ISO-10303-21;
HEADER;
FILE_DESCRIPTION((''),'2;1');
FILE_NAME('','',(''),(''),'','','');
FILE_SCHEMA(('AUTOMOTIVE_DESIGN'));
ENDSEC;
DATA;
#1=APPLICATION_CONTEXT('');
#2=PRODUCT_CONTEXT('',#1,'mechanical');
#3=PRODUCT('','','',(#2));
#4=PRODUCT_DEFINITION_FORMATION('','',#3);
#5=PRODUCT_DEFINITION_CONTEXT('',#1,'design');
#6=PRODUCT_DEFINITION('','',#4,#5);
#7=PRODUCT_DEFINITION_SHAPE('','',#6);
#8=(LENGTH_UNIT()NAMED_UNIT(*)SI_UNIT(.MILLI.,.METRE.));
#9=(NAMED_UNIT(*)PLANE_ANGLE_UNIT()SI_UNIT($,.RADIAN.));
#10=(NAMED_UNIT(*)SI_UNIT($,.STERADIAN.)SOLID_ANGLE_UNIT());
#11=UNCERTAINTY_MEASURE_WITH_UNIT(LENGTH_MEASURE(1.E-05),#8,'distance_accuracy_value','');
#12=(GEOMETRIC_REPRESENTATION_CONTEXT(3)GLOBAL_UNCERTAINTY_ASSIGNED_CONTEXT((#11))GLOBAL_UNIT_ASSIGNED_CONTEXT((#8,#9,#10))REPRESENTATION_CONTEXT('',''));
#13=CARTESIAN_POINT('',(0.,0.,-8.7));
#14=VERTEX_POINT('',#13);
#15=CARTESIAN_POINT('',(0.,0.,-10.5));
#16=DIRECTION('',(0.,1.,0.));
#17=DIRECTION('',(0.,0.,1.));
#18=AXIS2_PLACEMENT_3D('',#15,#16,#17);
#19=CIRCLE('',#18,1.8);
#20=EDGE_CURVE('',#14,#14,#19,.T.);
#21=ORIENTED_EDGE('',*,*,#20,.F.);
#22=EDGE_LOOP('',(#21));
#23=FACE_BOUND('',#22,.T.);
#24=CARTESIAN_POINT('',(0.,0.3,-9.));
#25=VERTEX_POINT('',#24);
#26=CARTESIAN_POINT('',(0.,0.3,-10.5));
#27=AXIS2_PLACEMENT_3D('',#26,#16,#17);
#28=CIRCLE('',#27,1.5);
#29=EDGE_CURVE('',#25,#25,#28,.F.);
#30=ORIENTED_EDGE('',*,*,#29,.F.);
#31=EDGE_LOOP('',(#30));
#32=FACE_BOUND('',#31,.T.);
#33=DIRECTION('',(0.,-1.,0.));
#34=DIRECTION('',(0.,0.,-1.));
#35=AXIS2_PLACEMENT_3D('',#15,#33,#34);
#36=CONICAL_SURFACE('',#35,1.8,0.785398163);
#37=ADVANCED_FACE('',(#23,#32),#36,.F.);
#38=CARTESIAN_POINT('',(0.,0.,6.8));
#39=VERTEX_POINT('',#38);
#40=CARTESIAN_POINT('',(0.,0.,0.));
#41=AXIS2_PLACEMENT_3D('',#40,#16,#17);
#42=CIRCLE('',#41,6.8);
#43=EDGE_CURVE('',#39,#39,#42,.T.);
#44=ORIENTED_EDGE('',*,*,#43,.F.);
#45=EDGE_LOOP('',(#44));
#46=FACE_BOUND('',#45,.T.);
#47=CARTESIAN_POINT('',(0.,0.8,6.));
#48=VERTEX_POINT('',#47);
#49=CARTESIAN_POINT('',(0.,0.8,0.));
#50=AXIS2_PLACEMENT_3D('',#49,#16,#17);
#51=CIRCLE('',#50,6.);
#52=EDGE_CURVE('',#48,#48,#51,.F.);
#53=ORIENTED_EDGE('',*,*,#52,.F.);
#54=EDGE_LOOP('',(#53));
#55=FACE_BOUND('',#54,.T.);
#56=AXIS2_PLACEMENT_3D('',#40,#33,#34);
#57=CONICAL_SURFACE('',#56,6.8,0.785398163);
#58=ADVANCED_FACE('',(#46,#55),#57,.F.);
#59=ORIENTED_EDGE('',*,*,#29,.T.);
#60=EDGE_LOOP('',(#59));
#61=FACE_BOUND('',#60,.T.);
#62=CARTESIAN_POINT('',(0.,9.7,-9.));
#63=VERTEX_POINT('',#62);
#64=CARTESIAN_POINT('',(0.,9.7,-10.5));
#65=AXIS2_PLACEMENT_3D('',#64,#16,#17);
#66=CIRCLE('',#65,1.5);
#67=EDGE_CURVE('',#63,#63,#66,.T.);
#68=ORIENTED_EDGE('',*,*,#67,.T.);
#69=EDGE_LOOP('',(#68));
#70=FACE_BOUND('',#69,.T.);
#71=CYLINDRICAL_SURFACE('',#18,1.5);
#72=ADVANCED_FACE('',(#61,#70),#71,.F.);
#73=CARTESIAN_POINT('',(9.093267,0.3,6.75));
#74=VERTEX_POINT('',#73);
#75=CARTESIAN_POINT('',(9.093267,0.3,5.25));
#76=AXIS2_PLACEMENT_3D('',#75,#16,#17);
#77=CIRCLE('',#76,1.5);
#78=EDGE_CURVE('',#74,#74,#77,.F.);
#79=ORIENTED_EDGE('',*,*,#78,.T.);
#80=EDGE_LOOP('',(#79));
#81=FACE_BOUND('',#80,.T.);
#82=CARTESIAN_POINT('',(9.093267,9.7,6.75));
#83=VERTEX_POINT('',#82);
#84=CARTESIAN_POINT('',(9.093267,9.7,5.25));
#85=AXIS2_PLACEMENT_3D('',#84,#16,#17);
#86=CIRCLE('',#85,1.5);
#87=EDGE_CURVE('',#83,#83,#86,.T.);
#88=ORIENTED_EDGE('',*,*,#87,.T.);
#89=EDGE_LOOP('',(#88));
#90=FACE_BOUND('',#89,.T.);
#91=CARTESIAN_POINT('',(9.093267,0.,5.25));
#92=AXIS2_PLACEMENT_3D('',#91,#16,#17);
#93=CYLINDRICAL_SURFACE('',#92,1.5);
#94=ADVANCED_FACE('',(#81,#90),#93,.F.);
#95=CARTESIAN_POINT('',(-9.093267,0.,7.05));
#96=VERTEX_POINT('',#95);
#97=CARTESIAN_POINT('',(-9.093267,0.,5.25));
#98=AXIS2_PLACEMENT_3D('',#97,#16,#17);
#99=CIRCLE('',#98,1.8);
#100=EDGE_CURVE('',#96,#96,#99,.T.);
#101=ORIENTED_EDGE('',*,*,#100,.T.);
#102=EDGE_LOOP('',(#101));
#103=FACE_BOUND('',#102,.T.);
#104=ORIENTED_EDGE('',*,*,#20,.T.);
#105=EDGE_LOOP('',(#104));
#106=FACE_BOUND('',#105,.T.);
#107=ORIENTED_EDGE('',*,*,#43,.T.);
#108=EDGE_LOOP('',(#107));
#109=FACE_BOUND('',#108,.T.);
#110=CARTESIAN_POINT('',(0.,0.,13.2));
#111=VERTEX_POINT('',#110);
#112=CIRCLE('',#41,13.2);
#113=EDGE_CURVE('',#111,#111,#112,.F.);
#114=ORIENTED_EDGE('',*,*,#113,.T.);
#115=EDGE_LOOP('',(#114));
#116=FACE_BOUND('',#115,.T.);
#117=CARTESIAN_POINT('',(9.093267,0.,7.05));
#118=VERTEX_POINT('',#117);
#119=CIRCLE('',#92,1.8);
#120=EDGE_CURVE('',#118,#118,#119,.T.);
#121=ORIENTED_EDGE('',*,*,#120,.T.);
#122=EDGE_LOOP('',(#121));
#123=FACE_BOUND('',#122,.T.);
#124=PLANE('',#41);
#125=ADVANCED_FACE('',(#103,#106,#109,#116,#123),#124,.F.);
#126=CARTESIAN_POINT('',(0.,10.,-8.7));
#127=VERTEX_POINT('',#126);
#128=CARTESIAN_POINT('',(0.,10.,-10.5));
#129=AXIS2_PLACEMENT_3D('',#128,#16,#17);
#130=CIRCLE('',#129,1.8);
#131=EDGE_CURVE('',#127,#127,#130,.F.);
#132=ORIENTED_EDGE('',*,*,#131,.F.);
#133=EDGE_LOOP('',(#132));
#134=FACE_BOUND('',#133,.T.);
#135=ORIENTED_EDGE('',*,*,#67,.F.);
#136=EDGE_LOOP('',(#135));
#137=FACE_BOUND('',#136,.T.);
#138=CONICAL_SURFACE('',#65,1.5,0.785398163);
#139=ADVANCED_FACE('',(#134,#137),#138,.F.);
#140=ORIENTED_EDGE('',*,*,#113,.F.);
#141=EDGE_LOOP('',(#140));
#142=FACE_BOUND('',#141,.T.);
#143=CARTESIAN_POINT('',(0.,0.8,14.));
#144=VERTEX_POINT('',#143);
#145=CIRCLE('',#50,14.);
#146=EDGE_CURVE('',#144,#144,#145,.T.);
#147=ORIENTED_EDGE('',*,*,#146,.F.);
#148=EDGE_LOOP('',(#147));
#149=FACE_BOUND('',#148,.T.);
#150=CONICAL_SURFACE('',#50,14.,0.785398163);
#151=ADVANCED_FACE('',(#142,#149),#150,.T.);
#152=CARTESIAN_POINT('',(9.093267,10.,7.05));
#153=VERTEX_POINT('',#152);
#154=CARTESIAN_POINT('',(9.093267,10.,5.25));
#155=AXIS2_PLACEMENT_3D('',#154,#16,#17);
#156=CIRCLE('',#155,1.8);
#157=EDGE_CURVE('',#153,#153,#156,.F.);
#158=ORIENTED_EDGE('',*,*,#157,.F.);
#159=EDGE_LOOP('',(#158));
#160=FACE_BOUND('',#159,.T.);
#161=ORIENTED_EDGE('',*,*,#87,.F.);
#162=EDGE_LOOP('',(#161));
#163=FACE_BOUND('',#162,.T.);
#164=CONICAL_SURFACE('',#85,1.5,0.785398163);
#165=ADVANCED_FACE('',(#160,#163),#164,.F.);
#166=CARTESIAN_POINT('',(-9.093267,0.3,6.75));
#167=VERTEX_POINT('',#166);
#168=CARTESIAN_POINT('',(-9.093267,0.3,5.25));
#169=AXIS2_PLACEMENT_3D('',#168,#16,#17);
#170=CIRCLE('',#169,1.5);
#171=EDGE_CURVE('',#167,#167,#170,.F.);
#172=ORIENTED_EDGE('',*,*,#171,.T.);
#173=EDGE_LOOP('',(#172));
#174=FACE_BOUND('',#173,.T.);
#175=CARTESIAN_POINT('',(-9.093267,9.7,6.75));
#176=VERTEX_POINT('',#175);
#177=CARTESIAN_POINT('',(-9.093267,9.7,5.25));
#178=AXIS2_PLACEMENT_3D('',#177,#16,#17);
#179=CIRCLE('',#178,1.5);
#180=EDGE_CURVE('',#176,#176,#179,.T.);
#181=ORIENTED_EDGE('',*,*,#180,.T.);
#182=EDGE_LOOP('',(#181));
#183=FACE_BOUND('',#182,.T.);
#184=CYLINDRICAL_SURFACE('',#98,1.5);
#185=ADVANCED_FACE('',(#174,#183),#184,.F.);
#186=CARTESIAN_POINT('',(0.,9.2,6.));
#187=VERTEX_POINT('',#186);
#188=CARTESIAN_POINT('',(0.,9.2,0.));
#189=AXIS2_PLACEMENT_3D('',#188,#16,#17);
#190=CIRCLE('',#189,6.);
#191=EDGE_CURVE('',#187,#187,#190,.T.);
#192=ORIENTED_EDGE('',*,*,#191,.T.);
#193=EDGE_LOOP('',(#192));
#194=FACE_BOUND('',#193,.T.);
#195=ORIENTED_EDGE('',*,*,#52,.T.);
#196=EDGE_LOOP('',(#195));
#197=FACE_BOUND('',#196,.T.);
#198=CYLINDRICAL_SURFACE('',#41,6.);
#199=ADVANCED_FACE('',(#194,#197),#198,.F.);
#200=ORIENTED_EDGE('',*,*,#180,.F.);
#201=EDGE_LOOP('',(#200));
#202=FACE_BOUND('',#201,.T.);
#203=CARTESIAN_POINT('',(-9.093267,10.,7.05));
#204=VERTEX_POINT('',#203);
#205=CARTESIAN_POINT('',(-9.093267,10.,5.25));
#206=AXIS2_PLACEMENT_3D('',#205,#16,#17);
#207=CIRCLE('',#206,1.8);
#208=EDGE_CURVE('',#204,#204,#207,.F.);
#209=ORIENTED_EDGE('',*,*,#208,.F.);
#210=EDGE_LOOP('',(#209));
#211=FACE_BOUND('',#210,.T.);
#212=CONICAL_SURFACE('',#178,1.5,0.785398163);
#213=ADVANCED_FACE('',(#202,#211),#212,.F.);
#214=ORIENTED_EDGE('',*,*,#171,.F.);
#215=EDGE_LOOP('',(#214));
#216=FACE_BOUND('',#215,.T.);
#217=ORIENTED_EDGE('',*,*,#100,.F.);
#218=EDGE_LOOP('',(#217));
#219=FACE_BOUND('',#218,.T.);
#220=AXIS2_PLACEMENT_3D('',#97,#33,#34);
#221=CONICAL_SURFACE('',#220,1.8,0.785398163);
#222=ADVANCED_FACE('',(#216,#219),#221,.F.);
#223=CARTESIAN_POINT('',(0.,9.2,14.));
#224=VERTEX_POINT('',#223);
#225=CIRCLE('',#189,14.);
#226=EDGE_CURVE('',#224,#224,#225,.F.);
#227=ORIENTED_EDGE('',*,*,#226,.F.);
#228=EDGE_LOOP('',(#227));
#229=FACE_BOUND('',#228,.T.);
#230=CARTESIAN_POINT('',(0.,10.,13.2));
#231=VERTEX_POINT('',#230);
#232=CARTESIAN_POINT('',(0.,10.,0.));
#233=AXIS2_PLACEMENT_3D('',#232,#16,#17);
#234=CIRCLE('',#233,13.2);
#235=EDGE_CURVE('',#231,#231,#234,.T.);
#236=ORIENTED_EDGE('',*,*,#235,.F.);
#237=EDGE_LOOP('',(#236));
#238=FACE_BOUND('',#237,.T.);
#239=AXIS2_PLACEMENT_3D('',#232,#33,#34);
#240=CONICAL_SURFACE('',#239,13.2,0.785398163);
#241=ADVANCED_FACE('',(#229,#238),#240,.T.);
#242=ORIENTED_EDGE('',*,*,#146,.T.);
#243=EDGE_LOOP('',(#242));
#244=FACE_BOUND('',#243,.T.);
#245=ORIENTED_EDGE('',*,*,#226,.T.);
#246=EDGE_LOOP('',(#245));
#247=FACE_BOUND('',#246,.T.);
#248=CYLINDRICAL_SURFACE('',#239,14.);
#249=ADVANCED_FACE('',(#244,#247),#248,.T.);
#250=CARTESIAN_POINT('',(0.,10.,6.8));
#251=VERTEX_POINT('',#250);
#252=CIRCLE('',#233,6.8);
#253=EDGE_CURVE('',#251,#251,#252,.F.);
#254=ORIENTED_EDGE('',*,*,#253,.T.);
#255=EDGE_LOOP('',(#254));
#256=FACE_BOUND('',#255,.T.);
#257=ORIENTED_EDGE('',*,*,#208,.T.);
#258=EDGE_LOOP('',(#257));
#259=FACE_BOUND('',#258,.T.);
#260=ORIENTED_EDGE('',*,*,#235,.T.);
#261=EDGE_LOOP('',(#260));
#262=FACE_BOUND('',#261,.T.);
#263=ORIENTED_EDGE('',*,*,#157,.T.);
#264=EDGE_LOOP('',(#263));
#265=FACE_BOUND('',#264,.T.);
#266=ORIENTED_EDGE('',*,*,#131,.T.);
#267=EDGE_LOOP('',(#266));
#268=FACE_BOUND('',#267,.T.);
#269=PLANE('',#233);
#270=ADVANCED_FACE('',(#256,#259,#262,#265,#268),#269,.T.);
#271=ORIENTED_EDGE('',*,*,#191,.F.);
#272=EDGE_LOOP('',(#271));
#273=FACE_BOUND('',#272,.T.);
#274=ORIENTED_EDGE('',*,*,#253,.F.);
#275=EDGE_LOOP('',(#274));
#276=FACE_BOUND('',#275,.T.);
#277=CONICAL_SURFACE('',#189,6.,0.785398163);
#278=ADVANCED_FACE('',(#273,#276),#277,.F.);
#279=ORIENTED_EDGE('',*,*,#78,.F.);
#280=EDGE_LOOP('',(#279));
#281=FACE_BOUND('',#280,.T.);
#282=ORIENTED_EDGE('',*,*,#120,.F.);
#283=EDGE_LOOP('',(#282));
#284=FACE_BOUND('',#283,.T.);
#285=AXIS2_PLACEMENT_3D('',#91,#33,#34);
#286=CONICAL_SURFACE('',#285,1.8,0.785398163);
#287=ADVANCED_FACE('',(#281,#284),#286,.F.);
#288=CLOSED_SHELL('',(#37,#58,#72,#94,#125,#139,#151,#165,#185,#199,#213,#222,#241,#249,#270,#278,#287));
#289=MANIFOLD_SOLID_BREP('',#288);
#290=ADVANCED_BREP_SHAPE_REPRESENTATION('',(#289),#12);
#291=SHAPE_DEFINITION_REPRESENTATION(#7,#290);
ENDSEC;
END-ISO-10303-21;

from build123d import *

# Parameters (mm, degrees)
SKETCH1_R                    = 14
BOSS_EXTRUDE1_DEPTH          = 10
SKETCH2_R                    = 6
CUT_EXTRUDE1_DEPTH           = 23.181073013
SKETCH3_R                    = 1.5
CUT_EXTRUDE2_DEPTH           = 23.181073013
CHAMFER1_SIZE                = 0.8
CHAMFER2_SIZE                = 0.3
CIRPATTERN1_COUNT            = 3
CHAMFER2_OF_CIRPATTERN1_SIZE = 0.3


with BuildPart() as part:
    # Sketch1 → Boss-Extrude1 (new body)
    with BuildSketch(Plane(origin=(0, 0, 0), x_dir=(1, 0, 0), z_dir=(0, 1, 0))):
        with Locations(Location((0, 0, 0), (0, 0, 270))):
            Circle(SKETCH1_R)
    extrude(amount=BOSS_EXTRUDE1_DEPTH)

    # Sketch2 → Cut-Extrude1 (cut, through all)
    with BuildSketch(Plane(origin=(0, 10, 0), x_dir=(1, 0, 0), z_dir=(0, 1, 0))):
        with Locations(Location((0, 0, 0), (0, 0, 270))):
            Circle(SKETCH2_R)
    extrude(amount=-CUT_EXTRUDE1_DEPTH, mode=Mode.SUBTRACT)

    # Sketch3 → Cut-Extrude2 (cut, through all)
    with BuildSketch(Plane(origin=(0, 10, 0), x_dir=(1, 0, 0), z_dir=(0, 1, 0))):
        with Locations(Location((0, 10.5, 0), (0, 0, 270))):
            Circle(SKETCH3_R)
    cut_extrude2 = extrude(amount=-CUT_EXTRUDE2_DEPTH, mode=Mode.SUBTRACT)

    # Chamfer1
    chamfer1_edges = [part.edges().sort_by_distance(p)[0] for p in [
        (0, 0, -14),
        (0, 10, -14),
        (0, 0, -6),
        (0, 10, -6),
    ]]
    chamfer(chamfer1_edges, length=CHAMFER1_SIZE)

    # Chamfer2
    chamfer2_edges = [part.edges().sort_by_distance(p)[0] for p in [
        (0, 0, -12),
        (0, 10, -12),
    ]]
    chamfer(chamfer2_edges, length=CHAMFER2_SIZE)

    # CirPattern1: Cut-Extrude2 ×3 about axis
    cirpattern1_axis = Axis((0, 0, 0), (0, 1, 0))
    for i in range(1, CIRPATTERN1_COUNT):
        add(cut_extrude2.rotate(cirpattern1_axis, i * 360 / CIRPATTERN1_COUNT), mode=Mode.SUBTRACT)

    # Chamfer2 of CirPattern1
    chamfer2_of_cirpattern1_edges = [part.edges().sort_by_distance(p)[0] for p in [
        (-10.392304845, 0, 6),
        (-10.392304845, 10, 6),
        (10.392304845, 0, 6),
        (10.392304845, 10, 6),
    ]]
    chamfer(chamfer2_of_cirpattern1_edges, length=CHAMFER2_OF_CIRPATTERN1_SIZE)


solid = part.part
